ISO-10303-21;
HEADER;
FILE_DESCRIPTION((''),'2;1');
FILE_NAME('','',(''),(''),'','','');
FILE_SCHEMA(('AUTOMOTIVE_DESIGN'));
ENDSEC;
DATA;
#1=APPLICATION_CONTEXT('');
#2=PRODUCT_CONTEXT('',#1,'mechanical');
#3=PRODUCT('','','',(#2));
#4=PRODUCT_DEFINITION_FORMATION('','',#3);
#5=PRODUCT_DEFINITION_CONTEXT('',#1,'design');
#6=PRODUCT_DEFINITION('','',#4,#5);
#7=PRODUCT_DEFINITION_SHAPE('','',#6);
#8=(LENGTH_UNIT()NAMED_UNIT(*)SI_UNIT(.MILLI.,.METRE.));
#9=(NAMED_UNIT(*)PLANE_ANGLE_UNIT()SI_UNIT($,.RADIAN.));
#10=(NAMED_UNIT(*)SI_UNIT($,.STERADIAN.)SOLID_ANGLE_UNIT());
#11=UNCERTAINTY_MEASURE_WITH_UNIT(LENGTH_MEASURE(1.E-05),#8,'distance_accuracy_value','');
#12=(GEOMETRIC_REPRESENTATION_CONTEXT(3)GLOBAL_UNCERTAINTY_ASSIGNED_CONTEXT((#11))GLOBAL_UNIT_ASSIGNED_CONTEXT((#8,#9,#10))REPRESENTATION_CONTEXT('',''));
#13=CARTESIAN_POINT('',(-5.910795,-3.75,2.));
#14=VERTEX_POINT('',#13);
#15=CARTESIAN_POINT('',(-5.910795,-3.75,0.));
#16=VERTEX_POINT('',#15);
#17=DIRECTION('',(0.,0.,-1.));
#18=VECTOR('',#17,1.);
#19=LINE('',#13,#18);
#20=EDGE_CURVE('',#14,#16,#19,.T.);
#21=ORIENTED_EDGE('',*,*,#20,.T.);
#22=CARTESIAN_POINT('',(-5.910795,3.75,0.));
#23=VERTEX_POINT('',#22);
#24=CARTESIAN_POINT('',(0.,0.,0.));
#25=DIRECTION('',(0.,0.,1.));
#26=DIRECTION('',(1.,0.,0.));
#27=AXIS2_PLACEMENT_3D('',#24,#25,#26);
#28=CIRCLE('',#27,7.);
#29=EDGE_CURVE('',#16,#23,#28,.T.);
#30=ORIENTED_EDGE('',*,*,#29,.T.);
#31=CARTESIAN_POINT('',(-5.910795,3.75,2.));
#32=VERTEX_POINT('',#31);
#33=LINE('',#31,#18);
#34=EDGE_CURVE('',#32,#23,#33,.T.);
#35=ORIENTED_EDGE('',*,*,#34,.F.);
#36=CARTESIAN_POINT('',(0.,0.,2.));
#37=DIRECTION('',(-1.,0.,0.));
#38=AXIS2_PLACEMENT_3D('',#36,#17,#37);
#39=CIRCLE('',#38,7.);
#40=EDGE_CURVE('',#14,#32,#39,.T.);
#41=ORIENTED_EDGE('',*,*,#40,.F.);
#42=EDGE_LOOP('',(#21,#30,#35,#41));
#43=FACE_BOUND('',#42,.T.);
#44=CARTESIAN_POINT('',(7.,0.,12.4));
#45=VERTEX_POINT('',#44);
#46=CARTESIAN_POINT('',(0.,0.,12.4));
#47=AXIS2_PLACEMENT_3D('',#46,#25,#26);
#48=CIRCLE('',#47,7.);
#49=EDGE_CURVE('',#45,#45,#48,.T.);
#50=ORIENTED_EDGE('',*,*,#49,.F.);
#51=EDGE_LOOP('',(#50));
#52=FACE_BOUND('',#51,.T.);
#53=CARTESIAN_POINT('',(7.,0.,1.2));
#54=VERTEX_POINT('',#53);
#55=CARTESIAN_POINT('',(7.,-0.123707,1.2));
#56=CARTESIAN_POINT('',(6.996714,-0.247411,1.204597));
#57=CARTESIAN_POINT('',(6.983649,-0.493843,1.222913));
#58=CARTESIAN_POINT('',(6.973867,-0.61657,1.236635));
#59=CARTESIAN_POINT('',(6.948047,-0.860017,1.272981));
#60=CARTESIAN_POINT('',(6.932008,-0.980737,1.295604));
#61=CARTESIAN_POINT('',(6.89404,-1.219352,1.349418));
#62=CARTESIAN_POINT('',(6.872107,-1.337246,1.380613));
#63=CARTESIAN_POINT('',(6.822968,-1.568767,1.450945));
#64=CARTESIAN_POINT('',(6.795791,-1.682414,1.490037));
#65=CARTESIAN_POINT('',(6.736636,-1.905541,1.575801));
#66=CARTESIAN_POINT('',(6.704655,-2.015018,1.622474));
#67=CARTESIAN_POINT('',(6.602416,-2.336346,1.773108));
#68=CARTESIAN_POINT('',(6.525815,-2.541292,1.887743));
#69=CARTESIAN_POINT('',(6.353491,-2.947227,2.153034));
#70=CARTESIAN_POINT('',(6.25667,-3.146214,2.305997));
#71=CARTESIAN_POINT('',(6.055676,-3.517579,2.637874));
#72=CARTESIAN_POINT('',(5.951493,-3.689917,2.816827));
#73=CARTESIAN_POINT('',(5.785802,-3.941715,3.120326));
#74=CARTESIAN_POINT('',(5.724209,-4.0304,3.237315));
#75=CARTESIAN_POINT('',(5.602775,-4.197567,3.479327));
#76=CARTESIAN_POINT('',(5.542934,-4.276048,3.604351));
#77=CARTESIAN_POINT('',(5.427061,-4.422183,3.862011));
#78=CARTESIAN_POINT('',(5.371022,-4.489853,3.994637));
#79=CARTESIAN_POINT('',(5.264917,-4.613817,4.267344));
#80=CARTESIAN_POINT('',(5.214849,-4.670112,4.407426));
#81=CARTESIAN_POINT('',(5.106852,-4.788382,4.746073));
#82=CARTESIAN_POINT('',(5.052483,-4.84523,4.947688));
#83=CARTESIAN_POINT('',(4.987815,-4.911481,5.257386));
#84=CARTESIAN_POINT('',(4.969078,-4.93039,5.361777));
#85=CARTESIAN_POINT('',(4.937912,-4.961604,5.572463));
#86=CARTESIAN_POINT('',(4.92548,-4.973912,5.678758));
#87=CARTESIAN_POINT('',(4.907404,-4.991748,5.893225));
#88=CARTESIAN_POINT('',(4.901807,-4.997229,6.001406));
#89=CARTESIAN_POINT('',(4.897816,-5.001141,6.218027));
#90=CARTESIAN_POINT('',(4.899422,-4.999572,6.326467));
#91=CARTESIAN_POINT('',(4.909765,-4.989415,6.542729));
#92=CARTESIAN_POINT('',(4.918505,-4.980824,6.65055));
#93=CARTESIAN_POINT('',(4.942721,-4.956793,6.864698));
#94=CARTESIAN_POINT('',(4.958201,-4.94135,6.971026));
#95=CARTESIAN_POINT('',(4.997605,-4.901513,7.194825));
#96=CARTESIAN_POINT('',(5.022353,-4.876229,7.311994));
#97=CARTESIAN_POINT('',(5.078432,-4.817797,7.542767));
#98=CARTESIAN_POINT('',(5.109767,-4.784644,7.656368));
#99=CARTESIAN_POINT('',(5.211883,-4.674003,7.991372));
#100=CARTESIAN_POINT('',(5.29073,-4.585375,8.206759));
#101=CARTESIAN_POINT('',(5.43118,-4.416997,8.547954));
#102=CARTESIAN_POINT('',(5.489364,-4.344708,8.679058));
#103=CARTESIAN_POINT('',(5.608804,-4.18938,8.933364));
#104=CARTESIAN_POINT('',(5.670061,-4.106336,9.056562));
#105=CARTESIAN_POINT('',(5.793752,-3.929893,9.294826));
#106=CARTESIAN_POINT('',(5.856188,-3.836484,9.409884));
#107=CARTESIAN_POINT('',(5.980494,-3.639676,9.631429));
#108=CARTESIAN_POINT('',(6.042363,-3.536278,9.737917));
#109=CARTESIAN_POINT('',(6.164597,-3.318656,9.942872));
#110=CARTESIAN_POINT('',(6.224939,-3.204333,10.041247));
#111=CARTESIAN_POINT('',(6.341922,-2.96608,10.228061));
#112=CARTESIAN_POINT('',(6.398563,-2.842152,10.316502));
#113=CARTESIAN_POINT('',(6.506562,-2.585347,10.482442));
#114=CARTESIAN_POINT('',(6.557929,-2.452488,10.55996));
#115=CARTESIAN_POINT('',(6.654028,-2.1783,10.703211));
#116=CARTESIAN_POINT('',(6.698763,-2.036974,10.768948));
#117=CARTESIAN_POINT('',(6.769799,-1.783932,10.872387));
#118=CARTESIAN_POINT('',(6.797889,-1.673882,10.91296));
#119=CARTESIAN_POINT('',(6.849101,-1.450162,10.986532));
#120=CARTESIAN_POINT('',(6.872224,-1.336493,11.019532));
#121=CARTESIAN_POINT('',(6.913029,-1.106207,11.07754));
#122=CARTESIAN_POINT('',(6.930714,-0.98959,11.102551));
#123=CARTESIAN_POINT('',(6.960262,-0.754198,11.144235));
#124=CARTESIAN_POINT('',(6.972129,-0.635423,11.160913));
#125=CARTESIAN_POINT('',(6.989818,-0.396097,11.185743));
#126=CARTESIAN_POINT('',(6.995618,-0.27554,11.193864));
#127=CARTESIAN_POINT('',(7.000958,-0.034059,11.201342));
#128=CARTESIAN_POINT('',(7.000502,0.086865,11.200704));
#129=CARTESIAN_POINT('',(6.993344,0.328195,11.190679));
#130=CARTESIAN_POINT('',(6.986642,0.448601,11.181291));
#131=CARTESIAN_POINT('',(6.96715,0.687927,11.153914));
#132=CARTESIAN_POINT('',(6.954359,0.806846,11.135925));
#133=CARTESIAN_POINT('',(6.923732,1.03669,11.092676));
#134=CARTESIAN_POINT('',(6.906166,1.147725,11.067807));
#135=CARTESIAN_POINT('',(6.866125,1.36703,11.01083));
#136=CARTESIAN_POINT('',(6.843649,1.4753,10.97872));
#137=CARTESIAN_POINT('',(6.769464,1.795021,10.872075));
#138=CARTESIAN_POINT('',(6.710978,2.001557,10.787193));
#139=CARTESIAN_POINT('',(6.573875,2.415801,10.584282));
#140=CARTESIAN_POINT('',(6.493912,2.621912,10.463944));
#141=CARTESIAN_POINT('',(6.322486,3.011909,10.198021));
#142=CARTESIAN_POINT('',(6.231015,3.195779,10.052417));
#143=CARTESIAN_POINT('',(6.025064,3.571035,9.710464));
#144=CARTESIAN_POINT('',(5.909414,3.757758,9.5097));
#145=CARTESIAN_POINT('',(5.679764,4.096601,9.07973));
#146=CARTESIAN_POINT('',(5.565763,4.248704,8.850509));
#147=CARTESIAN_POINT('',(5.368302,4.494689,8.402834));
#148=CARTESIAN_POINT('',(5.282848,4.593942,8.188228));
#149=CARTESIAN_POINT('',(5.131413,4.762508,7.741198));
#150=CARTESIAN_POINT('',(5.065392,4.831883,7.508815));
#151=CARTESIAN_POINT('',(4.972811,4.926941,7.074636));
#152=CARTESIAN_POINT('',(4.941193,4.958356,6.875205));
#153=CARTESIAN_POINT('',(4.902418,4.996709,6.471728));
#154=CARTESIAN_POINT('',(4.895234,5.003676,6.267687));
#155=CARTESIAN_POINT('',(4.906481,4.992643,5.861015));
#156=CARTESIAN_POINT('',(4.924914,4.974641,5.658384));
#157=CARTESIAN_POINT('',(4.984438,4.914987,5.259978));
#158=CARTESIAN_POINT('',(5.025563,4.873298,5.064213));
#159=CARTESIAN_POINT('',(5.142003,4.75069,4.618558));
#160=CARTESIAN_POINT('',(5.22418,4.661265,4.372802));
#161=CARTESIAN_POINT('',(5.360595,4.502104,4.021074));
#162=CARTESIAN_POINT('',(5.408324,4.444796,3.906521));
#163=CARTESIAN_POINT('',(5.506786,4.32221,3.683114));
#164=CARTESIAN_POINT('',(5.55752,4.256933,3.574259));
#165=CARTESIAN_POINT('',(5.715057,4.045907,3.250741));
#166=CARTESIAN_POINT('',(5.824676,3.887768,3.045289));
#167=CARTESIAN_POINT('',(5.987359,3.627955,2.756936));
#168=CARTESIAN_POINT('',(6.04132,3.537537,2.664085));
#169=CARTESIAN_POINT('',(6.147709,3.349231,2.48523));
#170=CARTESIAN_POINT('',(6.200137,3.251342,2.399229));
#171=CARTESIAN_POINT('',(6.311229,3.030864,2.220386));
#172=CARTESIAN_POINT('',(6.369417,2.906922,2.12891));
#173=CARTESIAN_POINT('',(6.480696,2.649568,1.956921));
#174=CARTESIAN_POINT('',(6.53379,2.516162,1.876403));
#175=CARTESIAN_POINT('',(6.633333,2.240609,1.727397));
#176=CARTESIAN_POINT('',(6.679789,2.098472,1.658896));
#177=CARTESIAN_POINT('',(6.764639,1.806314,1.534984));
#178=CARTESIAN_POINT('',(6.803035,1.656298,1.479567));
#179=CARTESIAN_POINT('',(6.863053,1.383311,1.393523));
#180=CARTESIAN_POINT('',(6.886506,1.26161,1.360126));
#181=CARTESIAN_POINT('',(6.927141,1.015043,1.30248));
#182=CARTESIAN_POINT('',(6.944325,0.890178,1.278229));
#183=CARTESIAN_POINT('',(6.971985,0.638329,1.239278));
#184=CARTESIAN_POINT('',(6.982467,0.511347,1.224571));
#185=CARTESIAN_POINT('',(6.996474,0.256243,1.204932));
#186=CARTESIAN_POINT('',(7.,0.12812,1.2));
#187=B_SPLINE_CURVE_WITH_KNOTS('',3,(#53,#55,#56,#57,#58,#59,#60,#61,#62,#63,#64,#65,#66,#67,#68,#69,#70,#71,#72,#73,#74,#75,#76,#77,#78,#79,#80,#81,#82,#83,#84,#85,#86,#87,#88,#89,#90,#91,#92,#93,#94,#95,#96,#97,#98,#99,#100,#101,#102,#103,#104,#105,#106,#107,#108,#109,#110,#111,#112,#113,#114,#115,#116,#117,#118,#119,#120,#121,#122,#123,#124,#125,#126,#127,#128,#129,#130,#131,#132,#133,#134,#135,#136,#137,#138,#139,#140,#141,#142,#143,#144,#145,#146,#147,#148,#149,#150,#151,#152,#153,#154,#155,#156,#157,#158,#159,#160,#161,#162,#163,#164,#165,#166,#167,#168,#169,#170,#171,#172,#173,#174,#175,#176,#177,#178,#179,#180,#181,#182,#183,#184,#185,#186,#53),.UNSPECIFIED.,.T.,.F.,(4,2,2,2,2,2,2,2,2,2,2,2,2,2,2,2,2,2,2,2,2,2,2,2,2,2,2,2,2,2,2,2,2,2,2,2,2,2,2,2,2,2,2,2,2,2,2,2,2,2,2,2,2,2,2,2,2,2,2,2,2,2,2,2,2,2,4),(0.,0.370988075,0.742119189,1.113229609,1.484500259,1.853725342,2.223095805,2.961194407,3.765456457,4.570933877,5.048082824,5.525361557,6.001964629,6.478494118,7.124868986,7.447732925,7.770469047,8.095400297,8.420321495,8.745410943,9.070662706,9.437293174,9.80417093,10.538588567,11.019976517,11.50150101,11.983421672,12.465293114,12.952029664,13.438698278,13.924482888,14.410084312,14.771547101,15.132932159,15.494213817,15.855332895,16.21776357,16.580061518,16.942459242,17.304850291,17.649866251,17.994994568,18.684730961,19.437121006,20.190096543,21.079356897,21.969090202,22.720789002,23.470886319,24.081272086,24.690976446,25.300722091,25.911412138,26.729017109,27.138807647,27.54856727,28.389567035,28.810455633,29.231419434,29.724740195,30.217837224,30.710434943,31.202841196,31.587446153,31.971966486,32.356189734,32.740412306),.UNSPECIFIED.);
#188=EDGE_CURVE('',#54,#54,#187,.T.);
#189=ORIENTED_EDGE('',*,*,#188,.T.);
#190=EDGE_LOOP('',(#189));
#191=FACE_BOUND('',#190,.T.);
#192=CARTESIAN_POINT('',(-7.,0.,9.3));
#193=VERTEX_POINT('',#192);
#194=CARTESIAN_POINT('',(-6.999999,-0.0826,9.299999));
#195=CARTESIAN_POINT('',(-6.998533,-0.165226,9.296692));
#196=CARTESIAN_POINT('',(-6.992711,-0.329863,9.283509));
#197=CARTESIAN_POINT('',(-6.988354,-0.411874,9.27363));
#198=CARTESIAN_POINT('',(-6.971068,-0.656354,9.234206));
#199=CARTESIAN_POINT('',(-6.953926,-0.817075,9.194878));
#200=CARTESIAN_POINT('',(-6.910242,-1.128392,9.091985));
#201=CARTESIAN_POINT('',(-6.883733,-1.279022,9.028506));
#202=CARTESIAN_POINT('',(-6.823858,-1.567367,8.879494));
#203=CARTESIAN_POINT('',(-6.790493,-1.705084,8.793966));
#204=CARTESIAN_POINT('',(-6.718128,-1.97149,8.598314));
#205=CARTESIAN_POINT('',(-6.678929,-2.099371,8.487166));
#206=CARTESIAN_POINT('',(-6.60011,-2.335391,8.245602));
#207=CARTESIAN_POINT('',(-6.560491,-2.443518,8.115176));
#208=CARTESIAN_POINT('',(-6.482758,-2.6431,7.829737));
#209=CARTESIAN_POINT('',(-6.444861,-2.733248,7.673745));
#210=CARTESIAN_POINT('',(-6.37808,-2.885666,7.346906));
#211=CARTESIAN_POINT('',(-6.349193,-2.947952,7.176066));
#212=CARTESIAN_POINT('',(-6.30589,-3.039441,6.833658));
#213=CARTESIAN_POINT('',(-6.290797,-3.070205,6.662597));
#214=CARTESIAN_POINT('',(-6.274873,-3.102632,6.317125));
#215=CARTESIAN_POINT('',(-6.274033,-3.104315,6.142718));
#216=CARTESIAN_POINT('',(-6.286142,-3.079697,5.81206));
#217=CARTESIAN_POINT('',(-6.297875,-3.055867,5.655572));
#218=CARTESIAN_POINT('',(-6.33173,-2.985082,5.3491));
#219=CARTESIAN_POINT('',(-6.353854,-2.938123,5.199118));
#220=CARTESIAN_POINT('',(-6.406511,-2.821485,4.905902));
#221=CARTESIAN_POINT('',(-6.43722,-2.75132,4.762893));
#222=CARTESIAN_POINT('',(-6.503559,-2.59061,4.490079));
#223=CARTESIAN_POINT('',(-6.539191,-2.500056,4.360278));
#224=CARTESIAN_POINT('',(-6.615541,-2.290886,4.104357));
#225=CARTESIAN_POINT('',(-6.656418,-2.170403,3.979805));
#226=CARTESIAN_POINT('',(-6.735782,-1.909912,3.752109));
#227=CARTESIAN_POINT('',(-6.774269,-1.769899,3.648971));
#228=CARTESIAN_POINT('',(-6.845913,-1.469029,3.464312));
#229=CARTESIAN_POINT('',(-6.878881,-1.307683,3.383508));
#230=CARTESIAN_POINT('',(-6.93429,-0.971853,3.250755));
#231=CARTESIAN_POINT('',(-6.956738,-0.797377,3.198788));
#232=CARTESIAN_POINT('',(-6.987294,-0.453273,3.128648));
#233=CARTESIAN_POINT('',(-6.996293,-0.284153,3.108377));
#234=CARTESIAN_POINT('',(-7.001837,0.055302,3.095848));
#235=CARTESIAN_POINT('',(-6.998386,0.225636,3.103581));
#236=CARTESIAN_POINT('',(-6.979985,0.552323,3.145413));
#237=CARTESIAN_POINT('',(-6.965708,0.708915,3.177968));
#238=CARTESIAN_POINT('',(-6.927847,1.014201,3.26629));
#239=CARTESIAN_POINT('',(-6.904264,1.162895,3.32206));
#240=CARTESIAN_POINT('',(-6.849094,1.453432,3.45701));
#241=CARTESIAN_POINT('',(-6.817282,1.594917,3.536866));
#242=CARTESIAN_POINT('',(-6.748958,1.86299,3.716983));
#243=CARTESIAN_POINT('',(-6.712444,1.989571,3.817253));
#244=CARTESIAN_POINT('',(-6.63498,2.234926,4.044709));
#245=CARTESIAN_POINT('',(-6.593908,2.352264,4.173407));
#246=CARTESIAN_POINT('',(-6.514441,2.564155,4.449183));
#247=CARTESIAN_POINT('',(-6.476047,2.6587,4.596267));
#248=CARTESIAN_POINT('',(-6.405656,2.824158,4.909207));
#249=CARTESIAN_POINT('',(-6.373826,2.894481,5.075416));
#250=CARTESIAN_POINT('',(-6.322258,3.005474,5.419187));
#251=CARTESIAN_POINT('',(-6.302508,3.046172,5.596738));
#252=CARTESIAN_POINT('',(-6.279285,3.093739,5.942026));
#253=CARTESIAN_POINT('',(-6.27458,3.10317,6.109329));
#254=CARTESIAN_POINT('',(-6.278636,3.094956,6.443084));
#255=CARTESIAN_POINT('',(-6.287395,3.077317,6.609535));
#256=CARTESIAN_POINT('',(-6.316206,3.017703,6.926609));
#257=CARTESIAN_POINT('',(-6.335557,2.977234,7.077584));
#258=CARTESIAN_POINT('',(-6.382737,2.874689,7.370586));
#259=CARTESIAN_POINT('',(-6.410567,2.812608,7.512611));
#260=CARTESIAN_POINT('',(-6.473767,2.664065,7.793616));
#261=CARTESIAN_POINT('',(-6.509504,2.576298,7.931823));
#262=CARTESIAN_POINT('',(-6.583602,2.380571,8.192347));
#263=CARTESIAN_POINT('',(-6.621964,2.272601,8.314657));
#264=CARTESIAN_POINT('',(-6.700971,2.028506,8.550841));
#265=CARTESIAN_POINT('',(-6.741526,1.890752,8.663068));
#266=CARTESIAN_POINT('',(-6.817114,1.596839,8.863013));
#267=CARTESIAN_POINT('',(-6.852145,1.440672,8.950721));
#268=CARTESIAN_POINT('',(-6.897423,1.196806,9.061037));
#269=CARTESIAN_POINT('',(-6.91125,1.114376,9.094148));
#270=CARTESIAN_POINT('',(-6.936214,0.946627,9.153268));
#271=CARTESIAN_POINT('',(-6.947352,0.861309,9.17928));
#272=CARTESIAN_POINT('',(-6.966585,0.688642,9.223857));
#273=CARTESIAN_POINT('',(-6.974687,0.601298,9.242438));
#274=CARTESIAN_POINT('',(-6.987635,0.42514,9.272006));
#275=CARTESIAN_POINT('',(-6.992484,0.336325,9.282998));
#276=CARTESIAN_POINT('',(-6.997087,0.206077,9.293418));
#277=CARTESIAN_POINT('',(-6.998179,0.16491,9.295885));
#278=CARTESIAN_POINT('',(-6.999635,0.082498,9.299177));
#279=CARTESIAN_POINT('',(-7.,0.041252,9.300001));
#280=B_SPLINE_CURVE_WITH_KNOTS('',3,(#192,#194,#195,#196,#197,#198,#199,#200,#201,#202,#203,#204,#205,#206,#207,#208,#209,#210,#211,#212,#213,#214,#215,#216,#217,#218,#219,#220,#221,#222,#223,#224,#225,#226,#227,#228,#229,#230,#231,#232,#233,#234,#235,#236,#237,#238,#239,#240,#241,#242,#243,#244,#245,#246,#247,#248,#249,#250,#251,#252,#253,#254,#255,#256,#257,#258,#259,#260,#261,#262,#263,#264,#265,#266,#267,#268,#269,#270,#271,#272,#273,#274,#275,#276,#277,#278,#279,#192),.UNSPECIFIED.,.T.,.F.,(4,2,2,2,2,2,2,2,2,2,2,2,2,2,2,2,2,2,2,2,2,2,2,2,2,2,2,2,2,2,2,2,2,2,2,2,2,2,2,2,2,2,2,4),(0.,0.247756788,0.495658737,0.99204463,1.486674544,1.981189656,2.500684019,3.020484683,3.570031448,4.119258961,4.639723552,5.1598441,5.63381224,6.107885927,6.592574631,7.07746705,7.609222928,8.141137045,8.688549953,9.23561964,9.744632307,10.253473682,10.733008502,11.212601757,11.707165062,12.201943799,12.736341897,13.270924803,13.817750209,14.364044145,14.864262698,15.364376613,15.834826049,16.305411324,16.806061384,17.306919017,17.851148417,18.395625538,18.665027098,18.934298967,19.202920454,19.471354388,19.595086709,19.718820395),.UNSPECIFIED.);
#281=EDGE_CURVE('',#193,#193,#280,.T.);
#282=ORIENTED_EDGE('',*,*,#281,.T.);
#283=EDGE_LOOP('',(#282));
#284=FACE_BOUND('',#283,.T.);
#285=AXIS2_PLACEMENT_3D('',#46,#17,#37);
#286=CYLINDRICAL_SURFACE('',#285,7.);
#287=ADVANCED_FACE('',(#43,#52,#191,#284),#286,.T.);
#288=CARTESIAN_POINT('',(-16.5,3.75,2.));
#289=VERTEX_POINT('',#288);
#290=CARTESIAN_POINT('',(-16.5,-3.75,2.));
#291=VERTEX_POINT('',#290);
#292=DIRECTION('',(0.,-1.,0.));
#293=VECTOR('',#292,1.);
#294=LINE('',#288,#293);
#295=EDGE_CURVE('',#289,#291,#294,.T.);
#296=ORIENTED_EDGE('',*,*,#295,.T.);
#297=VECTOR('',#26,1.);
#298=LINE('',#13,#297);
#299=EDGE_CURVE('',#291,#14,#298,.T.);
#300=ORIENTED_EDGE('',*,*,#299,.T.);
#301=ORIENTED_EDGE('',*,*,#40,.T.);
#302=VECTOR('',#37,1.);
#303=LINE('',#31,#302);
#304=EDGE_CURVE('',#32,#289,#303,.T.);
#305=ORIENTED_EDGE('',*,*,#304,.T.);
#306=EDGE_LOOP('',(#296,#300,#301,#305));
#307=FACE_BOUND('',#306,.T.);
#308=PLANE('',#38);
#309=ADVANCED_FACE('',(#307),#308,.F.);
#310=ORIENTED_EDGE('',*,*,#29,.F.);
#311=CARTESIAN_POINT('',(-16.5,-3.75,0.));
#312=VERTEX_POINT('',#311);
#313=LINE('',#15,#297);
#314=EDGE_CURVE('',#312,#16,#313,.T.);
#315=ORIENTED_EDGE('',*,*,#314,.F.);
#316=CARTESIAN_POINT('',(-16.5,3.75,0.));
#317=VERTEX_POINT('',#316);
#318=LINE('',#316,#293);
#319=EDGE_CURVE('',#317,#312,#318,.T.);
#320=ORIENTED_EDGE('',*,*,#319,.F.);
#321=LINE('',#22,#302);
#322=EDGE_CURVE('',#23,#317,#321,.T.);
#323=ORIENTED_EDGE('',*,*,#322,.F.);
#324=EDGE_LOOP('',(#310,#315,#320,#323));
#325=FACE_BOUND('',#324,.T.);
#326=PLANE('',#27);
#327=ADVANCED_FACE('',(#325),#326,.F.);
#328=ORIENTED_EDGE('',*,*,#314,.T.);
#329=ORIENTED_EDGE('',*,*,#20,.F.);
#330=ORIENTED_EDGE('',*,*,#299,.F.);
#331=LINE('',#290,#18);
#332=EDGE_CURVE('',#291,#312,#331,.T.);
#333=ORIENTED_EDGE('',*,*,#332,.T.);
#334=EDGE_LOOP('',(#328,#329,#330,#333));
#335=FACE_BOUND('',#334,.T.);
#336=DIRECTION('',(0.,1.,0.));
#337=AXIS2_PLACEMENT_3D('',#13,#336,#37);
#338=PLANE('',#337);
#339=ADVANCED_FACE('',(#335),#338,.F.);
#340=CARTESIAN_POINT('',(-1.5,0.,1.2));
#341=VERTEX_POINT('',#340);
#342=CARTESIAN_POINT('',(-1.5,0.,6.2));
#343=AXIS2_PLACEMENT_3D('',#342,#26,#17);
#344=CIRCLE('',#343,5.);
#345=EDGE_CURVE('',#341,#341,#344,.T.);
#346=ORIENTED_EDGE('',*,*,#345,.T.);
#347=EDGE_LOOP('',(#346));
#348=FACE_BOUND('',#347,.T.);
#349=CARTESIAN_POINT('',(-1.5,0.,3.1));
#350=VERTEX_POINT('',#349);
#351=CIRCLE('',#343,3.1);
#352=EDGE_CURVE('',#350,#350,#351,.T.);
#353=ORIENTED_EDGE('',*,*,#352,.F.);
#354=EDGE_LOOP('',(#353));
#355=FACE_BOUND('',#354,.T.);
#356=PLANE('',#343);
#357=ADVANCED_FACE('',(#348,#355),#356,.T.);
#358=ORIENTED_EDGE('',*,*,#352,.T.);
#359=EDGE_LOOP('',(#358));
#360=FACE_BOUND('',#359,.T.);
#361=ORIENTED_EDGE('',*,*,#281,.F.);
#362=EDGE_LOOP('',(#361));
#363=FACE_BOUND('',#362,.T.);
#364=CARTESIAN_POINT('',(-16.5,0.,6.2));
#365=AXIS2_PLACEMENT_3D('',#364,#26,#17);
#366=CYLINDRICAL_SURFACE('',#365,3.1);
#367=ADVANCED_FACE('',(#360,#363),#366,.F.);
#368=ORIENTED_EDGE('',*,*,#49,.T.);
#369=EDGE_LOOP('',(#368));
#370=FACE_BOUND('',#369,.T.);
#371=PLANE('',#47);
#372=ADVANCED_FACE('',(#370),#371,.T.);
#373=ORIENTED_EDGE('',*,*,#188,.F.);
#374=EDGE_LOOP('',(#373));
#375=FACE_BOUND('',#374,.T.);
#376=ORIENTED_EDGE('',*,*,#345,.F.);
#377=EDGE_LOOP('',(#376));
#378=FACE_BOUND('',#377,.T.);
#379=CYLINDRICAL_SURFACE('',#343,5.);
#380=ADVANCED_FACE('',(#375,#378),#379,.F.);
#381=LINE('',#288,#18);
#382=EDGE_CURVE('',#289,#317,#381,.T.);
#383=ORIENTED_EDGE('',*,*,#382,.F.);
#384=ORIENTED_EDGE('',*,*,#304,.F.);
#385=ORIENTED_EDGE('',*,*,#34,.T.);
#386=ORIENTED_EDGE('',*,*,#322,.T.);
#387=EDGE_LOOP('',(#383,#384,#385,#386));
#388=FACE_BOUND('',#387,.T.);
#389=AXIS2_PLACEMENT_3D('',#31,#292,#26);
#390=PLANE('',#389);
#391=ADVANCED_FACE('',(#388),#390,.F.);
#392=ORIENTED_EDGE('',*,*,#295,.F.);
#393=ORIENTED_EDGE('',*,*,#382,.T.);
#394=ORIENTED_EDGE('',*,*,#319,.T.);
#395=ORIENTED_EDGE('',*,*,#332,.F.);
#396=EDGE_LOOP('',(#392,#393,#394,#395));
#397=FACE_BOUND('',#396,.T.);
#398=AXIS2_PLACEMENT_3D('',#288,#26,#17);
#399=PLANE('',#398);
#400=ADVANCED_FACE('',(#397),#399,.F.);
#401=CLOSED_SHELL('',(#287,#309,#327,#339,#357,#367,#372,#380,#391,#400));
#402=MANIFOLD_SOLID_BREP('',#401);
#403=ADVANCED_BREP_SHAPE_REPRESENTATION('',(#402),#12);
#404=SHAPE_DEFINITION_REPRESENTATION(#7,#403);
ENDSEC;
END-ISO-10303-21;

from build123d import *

# Parameters (mm, degrees)
SKETCH_1_R               = 7
EXTRUDE_1_DEPTH          = 12.4
SKETCH_2_W               = 10.589204791
SKETCH_2_H               = 7.5
EXTRUDE_2_DEPTH          = 2
SKETCH_3_R               = 5
CUT_EXTRUDE_1_DEPTH      = 8
CUT_EXTRUDE_1_DEPTH_BACK = 1.5
SKETCH_4_R               = 3.1
CUT_EXTRUDE_2_DEPTH      = 16


with BuildPart() as part:
    # Эскиз1 → Бобышка-Вытянуть1 (new body)
    with BuildSketch(Plane.XY):
        Circle(SKETCH_1_R)
    extrude(amount=EXTRUDE_1_DEPTH)

    # Эскиз2 → Бобышка-Вытянуть2 (add)
    with BuildSketch(Plane.XY):
        with Locations((-11.205397604, 0)):
            Rectangle(SKETCH_2_W, SKETCH_2_H)
    extrude(amount=EXTRUDE_2_DEPTH)

    # Эскиз3 → Вырез-Вытянуть1 (cut, two sides)
    with BuildSketch(Plane(origin=(0, 0, 0), x_dir=(0, 0, -1), z_dir=(1, 0, 0))) as cut_extrude_1_sk:
        with Locations((-6.2, 0)):
            Circle(SKETCH_3_R)
    extrude(amount=CUT_EXTRUDE_1_DEPTH, mode=Mode.SUBTRACT)
    extrude(cut_extrude_1_sk.sketch, amount=-CUT_EXTRUDE_1_DEPTH_BACK, mode=Mode.SUBTRACT)

    # Эскиз4 → Вырез-Вытянуть2 (cut, through all)
    with BuildSketch(Plane(origin=(-1.5, 0, 0), x_dir=(0, 0, -1), z_dir=(1, 0, 0))):
        with Locations((-6.2, 0)):
            Circle(SKETCH_4_R)
    extrude(amount=-CUT_EXTRUDE_2_DEPTH, mode=Mode.SUBTRACT)


solid = part.part
